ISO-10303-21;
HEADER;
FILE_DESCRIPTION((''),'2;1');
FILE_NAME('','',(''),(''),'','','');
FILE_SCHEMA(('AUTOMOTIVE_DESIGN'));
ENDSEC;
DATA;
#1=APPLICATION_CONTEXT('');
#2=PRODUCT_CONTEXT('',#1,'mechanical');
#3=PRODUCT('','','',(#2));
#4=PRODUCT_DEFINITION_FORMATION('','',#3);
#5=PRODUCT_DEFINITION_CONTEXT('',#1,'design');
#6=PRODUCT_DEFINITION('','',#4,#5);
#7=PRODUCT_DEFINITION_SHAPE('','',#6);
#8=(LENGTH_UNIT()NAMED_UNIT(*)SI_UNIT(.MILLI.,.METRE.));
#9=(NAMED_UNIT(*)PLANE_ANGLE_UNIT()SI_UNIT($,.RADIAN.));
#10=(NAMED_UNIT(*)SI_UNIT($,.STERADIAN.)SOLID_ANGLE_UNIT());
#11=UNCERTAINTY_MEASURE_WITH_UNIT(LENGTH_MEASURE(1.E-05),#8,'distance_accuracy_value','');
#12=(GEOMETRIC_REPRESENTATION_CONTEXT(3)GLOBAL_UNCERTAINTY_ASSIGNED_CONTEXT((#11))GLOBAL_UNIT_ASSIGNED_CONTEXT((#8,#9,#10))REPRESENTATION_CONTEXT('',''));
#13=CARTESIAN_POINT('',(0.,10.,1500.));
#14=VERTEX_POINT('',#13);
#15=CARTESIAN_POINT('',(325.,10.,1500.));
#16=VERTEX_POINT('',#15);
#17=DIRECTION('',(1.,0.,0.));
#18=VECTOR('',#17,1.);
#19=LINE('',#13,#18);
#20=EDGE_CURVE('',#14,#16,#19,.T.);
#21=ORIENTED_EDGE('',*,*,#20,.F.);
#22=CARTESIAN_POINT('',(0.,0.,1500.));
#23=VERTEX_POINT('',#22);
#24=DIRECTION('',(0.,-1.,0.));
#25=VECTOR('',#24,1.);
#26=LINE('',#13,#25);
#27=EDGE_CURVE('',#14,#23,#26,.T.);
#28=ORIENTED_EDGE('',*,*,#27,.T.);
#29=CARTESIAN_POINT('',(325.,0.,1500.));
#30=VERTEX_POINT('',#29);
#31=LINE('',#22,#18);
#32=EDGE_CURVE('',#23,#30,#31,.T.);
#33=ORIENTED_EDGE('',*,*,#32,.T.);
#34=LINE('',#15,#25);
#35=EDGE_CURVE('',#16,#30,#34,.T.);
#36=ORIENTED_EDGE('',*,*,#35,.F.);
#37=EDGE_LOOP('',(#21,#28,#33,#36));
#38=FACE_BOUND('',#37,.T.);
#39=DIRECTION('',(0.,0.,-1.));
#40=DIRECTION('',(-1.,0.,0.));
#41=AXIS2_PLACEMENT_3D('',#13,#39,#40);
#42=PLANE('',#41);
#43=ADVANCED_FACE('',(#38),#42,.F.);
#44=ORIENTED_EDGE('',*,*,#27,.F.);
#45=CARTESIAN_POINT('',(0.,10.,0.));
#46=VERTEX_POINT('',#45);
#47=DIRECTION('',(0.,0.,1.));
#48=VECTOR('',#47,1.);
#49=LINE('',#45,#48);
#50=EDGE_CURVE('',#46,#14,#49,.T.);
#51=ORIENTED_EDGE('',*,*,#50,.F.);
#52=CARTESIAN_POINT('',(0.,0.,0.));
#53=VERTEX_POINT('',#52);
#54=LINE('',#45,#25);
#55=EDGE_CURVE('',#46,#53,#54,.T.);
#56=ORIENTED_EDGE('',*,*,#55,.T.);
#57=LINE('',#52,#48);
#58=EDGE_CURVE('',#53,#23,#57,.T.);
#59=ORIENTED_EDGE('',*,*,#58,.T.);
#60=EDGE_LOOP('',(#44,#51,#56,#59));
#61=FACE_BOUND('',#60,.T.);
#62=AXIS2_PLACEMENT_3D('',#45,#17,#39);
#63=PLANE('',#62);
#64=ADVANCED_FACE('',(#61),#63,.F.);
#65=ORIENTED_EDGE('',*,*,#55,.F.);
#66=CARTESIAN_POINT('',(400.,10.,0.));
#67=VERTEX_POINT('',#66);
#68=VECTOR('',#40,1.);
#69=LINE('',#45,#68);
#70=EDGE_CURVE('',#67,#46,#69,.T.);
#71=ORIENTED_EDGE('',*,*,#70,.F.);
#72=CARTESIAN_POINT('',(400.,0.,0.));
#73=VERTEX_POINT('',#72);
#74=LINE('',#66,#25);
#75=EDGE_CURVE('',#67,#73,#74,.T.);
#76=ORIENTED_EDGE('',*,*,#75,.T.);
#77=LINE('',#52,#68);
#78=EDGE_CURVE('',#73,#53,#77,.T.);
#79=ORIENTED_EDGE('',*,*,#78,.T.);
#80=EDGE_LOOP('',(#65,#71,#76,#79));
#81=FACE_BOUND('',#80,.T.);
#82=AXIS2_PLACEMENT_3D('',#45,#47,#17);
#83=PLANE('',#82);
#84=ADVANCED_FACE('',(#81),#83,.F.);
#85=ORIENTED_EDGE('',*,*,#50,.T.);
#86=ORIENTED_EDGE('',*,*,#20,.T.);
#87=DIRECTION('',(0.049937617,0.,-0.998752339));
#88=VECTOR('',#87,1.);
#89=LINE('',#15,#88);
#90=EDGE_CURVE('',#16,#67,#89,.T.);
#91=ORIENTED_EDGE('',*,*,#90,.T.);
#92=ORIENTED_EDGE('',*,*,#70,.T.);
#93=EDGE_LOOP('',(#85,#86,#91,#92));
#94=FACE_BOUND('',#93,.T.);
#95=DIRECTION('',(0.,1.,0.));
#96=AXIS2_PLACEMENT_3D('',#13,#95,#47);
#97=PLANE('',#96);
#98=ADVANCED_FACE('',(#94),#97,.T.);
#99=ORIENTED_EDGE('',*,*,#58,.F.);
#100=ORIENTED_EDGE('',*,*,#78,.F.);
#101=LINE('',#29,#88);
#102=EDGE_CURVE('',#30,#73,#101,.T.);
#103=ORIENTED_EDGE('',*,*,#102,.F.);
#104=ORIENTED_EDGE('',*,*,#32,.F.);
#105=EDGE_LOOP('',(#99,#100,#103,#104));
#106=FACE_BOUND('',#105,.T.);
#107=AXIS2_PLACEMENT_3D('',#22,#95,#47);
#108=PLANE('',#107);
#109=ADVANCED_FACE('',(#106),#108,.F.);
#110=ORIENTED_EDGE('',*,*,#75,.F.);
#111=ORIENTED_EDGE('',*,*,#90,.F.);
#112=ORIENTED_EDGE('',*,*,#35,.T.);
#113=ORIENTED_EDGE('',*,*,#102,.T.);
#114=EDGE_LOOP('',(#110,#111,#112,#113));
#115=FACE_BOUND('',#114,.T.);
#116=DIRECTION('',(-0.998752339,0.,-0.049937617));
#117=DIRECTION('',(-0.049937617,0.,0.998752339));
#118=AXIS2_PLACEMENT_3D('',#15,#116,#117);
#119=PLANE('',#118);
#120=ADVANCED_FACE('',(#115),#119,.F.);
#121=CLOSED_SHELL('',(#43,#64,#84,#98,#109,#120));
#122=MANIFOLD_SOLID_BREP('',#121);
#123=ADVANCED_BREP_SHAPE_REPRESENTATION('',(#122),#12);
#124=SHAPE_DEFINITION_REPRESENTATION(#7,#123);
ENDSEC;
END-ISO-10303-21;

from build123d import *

# Parameters (mm, degrees)
EXTRUSION1_DEPTH = 10


with BuildPart() as part:
    # Esquisse1 → Extrusion1 (new body)
    with BuildSketch(Plane(origin=(0, 0, 0), x_dir=(1, 0, 0), z_dir=(0, 1, 0))):
        Polygon((0, 0), (400, 0), (325, -1500), (0, -1500), align=None)
    extrude(amount=EXTRUSION1_DEPTH)


solid = part.part
